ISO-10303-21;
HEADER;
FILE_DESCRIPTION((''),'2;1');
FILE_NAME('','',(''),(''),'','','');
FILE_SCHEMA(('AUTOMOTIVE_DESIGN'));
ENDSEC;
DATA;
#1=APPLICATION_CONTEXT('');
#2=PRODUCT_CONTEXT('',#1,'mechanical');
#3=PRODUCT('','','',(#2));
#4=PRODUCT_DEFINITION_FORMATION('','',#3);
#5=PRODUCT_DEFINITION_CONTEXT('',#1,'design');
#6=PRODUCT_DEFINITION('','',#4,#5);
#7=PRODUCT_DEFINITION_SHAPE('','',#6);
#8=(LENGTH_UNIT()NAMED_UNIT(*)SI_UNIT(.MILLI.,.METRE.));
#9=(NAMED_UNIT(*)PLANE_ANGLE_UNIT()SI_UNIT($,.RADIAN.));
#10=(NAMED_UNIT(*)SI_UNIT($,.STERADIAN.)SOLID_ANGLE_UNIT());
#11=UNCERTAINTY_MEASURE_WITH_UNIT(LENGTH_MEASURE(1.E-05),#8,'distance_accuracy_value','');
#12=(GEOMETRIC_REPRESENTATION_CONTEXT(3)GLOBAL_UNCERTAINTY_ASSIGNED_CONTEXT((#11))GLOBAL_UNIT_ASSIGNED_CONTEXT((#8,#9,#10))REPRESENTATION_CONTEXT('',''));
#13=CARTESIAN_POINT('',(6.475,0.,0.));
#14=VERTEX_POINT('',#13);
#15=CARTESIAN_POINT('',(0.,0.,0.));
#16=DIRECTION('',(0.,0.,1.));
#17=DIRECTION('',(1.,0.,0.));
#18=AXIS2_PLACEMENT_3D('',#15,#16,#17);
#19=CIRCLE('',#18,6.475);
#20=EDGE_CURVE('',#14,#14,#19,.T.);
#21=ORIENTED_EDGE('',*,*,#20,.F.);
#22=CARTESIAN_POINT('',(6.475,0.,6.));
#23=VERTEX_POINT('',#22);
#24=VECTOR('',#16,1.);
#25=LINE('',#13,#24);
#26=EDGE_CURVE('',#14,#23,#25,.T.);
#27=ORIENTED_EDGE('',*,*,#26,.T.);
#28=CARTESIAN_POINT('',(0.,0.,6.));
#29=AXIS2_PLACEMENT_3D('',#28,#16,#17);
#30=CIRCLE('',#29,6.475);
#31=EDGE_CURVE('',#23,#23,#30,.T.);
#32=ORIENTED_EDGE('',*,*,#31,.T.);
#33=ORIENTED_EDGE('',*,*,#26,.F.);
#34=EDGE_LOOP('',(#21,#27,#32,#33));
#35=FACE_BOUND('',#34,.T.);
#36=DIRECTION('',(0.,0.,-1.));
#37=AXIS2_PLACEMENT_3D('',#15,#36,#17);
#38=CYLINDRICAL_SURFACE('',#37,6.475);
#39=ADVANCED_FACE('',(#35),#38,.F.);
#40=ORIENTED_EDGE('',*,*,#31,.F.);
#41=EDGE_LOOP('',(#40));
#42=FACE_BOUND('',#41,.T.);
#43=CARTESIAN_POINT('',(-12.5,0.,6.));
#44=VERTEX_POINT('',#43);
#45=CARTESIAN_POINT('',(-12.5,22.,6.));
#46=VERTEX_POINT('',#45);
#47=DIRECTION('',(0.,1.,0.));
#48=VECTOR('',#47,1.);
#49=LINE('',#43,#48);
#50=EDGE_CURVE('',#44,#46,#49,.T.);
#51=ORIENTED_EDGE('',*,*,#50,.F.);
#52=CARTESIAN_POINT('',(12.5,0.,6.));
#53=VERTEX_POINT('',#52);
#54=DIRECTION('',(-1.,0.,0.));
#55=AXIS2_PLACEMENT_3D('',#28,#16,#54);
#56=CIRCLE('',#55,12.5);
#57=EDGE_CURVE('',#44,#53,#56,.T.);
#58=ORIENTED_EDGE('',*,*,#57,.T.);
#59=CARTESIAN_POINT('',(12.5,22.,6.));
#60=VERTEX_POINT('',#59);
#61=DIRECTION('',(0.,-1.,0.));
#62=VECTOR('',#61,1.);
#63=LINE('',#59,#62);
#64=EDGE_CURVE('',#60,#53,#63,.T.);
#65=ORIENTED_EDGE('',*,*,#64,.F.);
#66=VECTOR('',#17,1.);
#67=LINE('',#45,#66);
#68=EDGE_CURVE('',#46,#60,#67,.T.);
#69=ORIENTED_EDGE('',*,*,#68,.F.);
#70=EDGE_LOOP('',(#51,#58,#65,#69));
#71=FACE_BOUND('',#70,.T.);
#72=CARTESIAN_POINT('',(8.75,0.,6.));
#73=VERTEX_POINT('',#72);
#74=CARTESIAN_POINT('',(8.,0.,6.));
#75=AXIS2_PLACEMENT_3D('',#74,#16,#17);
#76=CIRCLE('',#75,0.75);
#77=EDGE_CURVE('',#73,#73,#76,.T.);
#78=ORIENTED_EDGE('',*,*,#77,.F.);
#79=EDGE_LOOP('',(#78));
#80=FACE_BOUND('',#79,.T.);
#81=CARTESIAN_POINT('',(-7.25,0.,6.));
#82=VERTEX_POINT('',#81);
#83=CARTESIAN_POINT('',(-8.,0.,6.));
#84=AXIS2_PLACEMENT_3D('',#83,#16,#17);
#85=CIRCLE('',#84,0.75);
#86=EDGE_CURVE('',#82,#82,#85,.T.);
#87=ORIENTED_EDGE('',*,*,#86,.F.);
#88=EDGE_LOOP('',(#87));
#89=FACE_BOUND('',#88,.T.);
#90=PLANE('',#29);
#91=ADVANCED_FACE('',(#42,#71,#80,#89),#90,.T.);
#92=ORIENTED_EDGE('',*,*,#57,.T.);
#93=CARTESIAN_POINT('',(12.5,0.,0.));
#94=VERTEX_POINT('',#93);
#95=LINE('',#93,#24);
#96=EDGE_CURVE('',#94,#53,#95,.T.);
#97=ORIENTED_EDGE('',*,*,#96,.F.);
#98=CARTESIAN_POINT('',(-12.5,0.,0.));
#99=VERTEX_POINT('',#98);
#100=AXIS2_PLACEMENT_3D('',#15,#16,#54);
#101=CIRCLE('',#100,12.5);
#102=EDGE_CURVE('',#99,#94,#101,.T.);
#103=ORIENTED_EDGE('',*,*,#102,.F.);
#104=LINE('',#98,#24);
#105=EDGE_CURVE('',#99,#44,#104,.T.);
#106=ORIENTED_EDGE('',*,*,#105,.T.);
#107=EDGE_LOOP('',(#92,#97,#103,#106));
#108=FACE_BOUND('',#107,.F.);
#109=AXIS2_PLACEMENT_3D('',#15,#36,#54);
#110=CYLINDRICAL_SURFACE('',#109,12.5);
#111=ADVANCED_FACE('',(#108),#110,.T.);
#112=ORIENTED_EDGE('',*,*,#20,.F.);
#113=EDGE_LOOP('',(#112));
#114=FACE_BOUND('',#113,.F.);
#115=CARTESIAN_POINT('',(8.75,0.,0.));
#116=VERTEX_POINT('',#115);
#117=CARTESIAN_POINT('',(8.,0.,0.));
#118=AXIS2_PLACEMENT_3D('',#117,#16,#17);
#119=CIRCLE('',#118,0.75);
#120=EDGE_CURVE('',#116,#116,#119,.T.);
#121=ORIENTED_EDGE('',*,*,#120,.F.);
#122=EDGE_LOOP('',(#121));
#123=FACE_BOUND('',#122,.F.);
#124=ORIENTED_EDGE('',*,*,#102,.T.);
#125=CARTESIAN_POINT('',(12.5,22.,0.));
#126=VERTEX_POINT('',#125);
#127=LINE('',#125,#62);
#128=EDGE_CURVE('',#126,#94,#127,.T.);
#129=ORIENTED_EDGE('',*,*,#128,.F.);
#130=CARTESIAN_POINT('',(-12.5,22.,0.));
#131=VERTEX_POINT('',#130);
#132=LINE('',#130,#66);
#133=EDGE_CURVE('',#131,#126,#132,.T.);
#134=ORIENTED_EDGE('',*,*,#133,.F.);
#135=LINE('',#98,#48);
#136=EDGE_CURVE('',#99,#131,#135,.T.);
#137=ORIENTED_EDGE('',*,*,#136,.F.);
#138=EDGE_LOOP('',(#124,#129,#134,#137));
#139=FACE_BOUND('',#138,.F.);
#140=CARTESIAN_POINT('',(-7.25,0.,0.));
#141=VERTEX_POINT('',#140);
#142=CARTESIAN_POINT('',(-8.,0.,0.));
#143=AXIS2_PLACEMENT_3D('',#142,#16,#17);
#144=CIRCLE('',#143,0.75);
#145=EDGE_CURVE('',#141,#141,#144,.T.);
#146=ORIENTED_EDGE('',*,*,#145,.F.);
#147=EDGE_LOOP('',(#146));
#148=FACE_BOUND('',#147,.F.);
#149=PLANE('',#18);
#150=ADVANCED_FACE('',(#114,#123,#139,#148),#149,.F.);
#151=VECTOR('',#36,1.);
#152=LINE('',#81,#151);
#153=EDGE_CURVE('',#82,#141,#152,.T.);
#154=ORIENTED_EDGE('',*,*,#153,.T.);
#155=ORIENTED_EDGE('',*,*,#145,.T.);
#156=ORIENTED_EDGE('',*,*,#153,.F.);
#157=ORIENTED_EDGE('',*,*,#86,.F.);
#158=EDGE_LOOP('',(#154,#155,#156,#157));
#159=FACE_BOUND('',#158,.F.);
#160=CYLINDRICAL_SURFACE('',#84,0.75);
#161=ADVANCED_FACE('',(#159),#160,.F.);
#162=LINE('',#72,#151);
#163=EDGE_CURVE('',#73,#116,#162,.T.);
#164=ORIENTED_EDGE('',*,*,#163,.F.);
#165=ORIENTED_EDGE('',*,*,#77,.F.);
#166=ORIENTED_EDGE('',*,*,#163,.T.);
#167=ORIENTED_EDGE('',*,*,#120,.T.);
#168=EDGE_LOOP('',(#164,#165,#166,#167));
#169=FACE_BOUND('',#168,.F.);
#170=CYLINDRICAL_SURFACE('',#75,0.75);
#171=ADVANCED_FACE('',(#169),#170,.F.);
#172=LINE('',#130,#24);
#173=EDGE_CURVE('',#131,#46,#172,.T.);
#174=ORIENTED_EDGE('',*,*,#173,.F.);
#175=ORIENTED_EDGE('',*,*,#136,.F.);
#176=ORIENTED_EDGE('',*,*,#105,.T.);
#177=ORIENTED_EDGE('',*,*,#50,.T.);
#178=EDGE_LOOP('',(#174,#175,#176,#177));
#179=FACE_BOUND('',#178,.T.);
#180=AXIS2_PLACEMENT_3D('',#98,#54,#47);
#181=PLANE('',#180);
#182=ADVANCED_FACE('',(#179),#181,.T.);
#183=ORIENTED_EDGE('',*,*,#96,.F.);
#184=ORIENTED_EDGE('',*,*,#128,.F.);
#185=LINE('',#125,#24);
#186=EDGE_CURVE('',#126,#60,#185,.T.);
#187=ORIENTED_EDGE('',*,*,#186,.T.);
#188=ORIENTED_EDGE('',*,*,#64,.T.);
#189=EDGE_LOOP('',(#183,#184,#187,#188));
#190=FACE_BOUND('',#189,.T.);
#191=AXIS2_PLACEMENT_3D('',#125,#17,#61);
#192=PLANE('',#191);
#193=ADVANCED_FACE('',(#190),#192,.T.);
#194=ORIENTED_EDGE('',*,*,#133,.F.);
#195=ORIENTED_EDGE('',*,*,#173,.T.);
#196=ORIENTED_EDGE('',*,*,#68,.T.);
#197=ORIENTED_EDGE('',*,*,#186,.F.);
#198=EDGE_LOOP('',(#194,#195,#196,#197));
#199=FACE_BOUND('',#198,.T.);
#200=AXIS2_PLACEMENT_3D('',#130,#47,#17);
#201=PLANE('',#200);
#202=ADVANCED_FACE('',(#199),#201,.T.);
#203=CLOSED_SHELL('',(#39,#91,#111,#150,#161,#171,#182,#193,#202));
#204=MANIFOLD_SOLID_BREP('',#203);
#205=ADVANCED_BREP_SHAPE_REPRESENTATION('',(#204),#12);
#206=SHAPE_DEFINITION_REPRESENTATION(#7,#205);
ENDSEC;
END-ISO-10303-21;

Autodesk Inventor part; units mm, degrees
ref_plane "YZ Plane" through (0, 0, 0) normal (1, 0, 0) x (0, 1, 0)
ref_plane "XZ Plane" through (0, 0, 0) normal (0, 1, 0) x (-1, 0, 0)
ref_plane "XY Plane" through (0, 0, 0) normal (0, 0, 1) x (1, 0, 0)
sketch "Sketch1" plane through (0, 0, 0) normal (0, 0, 1) x (1, 0, 0)
  circle A0 centre (0, 0) radius 6.475
  arc A1 (-12.5, 0) -> (12.5, 0) centre (0, 0) ccw
  line L0 (-12.5, 0) -> (-12.5, 22)
  line L1 (-12.5, 22) -> (12.5, 22)
  line L2 (12.5, 22) -> (12.5, 0)
  dimension "d0" = 12.95
  dimension "d1" = 25
  dimension "d2" = 22
  dimension "d3" = 25
extrude "Extrusion1" add sketch "Sketch1" along normal blind 6
sketch "Sketch3" plane through (0, 0, 6) normal (0, 0, 1) x (1, 0, 0)
  circle A0 centre (-8, 0) radius 0.75
  circle A1 centre (8, 0) radius 0.75
  point P0 (0, 0)
  dimension "d7" = 16
  dimension "d8" = 8
  dimension "d9" = 1.5
  dimension "d10" = 1.5
extrude "Extrusion2" cut sketch "Sketch3" against normal blind 8
properties part number "Bearing Housing"
